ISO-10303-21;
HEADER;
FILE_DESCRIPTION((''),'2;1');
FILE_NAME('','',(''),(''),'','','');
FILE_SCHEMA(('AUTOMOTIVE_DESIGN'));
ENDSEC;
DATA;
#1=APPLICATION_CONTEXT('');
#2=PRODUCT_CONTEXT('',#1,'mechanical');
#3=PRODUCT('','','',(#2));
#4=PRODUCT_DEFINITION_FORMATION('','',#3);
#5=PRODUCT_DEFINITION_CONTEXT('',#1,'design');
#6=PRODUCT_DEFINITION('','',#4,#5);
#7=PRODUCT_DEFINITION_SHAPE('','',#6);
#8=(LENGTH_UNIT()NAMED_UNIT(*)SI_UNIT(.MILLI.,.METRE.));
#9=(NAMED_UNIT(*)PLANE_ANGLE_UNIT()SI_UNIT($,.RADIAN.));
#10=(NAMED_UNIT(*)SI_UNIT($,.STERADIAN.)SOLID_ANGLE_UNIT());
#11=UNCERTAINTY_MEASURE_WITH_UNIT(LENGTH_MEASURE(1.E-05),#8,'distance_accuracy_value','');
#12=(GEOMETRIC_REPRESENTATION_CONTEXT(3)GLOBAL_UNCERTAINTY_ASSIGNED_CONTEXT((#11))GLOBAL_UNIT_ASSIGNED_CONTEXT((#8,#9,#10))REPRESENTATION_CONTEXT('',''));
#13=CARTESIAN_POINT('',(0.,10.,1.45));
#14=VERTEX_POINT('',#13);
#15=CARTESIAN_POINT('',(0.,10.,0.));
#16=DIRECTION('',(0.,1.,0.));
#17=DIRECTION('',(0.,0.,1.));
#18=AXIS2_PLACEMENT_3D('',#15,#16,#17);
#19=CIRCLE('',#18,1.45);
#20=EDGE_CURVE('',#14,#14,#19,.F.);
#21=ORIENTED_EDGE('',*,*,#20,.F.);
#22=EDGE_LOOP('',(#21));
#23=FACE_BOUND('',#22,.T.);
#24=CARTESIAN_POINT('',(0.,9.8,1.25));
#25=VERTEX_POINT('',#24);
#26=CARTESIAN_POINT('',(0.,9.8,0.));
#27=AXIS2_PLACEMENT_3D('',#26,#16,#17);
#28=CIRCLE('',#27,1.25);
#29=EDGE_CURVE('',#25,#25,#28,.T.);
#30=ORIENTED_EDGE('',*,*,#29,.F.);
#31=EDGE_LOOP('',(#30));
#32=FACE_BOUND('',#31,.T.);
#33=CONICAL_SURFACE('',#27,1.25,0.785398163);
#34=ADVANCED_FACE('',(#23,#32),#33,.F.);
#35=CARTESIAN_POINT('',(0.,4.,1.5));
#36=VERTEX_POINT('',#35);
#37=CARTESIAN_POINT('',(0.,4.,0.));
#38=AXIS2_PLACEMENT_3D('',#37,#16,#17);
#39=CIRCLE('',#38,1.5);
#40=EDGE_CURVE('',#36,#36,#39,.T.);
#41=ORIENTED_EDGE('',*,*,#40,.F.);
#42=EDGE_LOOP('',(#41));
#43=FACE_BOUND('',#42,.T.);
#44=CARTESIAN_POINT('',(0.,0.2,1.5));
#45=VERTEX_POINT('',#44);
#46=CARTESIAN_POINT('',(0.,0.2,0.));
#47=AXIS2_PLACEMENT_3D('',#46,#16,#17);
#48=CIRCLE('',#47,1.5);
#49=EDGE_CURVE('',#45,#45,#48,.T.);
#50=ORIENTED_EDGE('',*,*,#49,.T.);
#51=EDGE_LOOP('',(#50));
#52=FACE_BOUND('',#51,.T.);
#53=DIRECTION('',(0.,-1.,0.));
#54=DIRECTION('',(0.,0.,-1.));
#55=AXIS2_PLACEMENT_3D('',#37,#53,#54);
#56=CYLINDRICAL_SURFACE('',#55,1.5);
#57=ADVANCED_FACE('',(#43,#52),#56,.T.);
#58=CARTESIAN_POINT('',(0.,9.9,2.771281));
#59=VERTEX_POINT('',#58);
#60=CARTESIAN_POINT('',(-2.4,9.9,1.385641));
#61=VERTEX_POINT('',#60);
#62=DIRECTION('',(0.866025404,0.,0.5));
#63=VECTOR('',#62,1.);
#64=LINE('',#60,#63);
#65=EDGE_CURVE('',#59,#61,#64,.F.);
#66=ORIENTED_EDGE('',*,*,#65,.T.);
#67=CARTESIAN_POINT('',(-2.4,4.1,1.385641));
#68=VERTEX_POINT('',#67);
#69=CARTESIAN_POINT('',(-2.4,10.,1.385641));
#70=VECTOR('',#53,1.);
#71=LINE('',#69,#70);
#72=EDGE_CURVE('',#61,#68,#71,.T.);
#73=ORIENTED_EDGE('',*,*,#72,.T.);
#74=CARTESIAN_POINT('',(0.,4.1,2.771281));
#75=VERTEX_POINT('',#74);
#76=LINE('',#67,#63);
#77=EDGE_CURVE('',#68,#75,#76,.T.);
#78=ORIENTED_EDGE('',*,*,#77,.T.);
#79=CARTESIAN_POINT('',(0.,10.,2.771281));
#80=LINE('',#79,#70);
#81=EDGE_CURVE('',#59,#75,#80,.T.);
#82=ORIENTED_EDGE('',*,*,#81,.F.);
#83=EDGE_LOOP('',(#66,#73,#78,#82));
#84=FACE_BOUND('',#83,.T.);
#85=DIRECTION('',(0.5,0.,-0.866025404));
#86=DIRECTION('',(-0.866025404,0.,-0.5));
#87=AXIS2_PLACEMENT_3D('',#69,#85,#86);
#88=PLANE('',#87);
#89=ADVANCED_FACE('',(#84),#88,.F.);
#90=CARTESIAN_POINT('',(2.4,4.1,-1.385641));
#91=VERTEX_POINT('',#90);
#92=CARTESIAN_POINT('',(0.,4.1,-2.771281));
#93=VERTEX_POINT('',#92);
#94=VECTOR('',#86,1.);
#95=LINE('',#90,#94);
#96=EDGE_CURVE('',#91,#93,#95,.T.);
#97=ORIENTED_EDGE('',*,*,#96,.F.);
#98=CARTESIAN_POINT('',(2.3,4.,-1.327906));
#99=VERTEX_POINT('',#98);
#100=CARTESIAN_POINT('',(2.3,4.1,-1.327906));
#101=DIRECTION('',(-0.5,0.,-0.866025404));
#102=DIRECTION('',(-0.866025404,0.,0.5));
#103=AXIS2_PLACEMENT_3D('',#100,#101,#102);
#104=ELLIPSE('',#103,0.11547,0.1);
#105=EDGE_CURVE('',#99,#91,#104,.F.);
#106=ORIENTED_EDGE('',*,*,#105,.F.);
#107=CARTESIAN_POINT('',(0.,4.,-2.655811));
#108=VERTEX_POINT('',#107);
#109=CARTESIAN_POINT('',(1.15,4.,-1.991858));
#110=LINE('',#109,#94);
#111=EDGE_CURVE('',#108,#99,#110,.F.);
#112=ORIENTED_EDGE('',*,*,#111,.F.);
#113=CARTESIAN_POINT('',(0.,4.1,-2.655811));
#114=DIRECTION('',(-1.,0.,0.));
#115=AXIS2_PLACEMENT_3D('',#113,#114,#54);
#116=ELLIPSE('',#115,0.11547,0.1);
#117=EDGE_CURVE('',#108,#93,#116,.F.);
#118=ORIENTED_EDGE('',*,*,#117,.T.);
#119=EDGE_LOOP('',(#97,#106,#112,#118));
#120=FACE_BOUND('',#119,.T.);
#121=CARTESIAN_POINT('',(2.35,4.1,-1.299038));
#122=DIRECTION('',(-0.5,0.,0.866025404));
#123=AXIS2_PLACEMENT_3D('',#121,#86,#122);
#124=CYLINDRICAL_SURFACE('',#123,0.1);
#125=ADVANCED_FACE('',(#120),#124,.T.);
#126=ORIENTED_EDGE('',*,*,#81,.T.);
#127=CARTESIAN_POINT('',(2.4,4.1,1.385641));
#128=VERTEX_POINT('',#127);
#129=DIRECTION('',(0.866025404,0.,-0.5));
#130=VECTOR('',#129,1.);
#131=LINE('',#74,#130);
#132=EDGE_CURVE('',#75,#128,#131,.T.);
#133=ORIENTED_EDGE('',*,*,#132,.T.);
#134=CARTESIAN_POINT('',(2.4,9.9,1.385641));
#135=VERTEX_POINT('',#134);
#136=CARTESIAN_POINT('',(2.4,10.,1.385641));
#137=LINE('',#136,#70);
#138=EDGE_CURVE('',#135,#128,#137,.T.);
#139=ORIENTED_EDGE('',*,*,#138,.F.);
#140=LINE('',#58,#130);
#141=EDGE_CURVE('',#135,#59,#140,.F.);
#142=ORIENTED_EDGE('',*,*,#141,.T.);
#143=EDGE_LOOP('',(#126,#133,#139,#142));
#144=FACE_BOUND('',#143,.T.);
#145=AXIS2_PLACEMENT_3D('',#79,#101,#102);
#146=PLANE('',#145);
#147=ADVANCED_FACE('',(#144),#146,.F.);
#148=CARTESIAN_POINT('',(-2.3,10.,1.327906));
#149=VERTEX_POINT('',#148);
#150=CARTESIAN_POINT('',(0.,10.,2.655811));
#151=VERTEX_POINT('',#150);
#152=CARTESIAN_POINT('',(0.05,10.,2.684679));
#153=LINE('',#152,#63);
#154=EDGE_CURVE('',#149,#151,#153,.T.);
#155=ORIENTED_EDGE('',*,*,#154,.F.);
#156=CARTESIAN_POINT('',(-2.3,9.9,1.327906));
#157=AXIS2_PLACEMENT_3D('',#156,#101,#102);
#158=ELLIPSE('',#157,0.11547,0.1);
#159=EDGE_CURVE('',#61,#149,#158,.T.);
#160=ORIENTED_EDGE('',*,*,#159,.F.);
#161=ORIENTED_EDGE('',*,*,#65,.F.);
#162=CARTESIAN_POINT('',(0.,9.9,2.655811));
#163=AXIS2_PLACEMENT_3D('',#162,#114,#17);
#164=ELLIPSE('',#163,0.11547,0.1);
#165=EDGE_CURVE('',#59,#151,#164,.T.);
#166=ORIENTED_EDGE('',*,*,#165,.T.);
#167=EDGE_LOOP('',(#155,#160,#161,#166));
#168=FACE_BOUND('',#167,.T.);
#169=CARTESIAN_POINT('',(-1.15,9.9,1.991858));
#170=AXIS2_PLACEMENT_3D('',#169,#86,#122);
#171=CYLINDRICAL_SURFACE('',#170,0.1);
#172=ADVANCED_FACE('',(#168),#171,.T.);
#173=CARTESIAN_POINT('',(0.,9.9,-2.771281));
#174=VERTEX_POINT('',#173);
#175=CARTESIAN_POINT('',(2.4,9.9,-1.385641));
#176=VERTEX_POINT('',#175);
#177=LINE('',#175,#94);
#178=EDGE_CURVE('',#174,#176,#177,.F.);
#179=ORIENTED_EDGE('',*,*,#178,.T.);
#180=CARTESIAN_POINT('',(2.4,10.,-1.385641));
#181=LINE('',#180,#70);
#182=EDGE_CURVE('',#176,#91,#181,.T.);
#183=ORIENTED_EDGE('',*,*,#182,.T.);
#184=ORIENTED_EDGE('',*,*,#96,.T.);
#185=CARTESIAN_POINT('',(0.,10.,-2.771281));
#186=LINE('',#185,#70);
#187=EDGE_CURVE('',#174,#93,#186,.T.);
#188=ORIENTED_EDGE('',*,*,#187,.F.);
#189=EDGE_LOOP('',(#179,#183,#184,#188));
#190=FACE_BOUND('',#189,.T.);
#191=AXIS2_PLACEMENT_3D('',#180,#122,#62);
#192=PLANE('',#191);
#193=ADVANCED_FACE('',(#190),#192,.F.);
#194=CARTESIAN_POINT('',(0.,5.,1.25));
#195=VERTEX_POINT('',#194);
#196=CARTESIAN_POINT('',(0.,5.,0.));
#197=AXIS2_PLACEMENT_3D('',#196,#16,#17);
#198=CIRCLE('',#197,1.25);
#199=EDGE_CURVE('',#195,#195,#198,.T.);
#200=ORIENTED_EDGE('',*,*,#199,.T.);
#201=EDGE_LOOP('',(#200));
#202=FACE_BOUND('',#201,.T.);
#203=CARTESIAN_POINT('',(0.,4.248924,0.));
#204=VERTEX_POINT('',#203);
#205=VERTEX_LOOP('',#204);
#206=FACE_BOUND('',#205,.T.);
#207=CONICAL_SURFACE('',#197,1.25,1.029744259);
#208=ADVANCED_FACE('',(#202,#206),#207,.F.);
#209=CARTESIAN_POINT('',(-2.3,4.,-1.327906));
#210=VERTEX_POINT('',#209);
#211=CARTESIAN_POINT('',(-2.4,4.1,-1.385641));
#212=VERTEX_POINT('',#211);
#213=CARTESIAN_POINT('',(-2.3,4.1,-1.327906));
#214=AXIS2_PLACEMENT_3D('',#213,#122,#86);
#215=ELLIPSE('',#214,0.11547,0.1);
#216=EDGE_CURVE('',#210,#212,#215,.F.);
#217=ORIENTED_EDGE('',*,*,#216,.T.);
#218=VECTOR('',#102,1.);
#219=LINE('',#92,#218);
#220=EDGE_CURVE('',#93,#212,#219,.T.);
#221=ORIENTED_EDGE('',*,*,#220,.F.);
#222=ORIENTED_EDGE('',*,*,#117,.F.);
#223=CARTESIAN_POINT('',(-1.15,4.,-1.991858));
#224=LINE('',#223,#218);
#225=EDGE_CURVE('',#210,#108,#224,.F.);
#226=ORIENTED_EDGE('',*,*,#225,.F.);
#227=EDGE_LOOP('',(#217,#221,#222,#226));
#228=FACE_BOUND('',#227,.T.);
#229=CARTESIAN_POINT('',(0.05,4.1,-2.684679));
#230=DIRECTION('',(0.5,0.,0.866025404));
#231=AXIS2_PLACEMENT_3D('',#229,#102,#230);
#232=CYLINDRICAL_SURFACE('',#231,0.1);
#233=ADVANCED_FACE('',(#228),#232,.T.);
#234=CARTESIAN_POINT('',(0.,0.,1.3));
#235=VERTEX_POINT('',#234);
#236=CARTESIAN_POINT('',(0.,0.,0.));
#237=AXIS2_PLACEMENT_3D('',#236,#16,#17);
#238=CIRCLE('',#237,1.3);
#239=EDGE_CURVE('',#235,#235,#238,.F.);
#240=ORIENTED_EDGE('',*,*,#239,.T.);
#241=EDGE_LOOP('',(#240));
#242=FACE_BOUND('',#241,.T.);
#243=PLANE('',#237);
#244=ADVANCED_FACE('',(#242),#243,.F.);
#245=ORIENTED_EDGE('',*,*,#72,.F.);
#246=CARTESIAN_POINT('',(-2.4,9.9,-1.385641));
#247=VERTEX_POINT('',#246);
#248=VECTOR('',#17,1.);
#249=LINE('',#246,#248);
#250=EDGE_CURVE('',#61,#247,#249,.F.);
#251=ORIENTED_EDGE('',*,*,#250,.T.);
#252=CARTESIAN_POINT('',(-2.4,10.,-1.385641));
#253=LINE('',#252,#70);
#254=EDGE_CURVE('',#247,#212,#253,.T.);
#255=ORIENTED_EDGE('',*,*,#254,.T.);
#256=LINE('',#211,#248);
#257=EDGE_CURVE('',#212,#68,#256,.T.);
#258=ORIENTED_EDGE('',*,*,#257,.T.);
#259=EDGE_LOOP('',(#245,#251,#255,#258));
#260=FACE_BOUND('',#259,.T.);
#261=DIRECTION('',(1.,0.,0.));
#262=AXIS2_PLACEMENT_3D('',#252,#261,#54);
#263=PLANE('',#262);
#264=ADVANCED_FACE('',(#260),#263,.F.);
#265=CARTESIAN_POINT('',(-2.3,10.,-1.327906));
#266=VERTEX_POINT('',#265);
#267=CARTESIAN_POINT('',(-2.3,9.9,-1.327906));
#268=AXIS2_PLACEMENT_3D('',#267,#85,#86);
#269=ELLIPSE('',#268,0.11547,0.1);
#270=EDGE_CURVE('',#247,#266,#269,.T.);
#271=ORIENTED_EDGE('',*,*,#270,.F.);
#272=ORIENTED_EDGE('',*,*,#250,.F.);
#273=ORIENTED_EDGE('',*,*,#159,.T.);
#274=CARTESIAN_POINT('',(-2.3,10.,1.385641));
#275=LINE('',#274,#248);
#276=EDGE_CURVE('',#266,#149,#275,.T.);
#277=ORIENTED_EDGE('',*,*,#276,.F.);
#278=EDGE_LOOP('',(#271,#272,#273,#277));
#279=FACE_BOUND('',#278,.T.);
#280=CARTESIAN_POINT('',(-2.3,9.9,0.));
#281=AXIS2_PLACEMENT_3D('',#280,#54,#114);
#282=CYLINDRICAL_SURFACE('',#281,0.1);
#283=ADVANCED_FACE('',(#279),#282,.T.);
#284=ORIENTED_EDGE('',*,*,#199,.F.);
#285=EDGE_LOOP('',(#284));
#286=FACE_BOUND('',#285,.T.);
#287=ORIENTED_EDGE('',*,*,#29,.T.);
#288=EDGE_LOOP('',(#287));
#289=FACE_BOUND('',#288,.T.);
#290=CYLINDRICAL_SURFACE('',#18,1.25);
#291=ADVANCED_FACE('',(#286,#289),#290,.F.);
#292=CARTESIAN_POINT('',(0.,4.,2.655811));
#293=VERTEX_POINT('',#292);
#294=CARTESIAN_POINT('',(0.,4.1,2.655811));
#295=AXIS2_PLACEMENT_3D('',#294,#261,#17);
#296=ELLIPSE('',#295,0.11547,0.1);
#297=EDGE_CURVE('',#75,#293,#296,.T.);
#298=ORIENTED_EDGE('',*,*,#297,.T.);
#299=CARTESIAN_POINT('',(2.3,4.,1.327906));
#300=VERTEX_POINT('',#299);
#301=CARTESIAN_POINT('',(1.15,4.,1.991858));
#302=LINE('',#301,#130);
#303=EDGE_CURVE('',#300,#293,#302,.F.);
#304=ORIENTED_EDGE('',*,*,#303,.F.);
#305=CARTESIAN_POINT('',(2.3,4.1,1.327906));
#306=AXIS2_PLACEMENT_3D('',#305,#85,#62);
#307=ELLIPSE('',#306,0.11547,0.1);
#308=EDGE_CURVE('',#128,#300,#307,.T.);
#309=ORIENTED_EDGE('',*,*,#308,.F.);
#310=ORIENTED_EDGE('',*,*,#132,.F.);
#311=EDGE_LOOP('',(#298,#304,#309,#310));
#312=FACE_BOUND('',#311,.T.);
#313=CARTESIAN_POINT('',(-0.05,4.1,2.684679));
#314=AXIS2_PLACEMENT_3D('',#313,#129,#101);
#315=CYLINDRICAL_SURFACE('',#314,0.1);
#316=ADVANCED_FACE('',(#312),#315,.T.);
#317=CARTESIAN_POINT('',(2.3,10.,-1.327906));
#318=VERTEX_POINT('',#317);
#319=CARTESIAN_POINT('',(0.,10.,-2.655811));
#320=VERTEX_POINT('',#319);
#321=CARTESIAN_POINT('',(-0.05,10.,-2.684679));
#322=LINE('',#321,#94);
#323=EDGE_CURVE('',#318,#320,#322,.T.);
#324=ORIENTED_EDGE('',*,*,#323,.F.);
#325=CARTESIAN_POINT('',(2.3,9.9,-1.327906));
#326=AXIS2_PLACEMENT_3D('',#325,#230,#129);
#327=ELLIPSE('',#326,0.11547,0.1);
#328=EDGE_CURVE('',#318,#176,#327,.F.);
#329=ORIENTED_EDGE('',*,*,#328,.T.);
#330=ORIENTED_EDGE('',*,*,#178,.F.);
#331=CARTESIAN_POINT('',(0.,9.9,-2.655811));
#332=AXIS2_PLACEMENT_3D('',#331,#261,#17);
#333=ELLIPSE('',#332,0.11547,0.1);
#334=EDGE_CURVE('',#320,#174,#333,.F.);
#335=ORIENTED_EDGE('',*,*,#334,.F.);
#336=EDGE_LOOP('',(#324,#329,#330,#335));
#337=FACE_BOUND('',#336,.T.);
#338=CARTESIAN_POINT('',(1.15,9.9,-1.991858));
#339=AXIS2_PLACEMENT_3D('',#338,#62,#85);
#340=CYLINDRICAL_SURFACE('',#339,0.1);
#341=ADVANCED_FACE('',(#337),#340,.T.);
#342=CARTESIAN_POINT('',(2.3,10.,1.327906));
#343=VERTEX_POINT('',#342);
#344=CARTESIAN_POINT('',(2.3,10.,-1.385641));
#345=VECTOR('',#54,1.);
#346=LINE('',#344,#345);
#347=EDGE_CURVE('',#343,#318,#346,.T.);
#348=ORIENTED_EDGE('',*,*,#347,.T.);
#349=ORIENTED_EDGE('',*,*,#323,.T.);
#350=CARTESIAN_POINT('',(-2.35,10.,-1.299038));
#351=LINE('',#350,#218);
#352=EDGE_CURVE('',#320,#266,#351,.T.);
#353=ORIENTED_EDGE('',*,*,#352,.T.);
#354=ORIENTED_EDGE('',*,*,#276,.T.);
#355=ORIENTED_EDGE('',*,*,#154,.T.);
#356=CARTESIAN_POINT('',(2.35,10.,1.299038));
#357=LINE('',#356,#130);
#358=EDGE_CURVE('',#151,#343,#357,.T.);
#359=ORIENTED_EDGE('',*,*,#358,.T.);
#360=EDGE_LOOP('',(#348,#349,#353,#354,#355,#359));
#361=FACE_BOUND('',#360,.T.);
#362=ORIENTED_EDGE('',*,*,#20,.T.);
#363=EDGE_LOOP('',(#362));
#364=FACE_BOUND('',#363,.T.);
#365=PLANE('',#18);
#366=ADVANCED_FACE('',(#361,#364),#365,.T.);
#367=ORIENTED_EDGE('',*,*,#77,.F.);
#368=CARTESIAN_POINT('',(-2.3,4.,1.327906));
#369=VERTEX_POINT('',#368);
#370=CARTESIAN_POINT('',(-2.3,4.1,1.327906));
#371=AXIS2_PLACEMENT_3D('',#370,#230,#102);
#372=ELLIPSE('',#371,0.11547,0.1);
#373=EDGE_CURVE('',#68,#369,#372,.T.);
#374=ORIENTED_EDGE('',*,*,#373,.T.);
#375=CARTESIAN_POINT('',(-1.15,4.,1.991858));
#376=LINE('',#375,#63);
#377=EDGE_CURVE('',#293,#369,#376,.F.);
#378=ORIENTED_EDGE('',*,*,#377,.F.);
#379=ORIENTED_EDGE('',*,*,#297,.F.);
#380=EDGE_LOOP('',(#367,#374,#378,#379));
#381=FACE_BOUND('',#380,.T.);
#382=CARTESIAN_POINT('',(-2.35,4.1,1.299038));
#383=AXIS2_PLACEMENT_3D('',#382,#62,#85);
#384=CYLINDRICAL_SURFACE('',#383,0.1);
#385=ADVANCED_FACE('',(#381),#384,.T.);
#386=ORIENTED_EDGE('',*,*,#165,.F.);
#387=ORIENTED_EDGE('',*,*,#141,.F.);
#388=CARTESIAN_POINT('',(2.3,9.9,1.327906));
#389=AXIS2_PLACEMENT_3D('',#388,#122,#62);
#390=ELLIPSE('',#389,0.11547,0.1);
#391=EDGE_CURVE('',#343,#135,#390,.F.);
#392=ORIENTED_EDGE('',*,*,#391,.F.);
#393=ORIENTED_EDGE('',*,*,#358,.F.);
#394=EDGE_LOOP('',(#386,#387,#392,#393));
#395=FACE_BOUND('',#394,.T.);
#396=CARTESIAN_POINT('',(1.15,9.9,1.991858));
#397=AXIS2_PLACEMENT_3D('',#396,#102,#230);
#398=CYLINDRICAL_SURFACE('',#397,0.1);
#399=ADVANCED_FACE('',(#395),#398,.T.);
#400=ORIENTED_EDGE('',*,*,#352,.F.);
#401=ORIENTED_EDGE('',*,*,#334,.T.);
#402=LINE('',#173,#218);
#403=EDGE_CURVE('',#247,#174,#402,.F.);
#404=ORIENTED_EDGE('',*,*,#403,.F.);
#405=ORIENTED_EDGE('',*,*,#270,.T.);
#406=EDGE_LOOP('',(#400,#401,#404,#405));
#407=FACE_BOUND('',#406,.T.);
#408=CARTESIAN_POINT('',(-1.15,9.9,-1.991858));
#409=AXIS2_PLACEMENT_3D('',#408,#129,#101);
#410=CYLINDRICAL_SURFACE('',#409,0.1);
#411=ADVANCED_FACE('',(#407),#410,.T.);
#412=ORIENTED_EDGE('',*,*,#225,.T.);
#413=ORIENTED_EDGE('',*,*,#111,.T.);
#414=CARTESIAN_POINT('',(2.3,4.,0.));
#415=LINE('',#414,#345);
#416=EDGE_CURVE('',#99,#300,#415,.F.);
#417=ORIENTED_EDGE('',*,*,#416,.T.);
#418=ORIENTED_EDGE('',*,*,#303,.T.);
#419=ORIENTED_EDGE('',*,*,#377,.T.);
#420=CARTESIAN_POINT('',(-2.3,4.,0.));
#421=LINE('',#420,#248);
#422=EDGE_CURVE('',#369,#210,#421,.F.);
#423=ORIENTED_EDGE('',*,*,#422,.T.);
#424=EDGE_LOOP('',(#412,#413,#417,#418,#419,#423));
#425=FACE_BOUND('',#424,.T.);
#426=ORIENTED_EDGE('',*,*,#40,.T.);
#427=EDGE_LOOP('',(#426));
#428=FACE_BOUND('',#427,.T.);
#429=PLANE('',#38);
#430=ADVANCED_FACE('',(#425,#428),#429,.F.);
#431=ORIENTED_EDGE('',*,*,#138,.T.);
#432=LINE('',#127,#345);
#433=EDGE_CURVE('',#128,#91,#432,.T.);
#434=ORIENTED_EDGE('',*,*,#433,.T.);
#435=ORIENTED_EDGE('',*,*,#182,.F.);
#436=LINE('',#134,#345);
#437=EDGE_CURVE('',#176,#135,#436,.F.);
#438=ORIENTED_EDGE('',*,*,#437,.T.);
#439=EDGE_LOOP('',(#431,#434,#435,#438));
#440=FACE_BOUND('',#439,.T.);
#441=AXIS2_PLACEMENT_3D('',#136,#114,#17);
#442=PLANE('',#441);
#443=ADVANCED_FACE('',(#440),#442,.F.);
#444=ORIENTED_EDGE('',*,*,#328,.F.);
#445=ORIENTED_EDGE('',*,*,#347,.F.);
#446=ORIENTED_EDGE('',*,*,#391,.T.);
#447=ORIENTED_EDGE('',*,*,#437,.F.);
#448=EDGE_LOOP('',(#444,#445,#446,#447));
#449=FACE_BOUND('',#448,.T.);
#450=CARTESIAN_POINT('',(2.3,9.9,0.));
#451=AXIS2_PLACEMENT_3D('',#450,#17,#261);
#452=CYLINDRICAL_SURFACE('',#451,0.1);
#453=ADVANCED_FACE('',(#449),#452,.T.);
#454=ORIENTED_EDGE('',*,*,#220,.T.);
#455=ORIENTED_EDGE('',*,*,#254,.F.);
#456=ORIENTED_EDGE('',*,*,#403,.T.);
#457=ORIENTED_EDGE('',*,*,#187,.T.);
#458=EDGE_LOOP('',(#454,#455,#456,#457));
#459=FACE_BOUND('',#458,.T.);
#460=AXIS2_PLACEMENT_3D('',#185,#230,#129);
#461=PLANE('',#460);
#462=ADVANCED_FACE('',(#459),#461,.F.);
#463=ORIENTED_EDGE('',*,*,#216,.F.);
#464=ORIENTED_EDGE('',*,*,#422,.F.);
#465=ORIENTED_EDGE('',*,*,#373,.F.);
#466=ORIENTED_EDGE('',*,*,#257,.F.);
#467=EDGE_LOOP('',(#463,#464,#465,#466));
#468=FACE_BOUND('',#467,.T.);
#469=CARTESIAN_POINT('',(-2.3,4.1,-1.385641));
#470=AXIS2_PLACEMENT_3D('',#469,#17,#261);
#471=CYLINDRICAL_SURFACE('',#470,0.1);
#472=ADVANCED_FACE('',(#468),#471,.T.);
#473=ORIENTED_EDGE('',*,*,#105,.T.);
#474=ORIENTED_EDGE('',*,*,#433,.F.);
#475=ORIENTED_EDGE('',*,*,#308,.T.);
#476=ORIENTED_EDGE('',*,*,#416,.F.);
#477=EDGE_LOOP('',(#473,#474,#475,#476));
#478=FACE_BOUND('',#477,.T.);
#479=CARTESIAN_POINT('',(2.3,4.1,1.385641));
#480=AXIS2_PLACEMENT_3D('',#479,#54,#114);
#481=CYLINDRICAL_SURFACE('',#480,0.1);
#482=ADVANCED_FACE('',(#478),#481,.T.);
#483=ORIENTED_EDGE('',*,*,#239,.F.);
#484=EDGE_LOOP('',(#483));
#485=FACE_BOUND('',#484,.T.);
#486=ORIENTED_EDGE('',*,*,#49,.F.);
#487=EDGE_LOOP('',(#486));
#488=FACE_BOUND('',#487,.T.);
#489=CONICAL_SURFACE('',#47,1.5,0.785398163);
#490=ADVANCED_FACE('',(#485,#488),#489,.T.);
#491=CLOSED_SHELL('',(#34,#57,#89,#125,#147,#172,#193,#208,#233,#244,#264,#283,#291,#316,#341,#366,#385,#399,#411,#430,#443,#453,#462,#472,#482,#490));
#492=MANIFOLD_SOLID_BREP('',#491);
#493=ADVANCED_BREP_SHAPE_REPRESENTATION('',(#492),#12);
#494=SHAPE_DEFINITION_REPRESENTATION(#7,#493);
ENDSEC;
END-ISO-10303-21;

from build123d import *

# Parameters (mm, degrees)
SKETCH_2_R            = 1.5
EXTRUDE_1_DEPTH       = 4
EXTRUDE_2_DEPTH       = 6
FILLET_1_R            = 0.1
HOLE_WIZARD_M31_D     = 2.5
HOLE_WIZARD_M31_DEPTH = 5
HOLE_WIZARD_M31_TIP   = 0.751075774
CHAMFER_2_SIZE        = 0.2


with BuildPart() as part:
    # Эскиз2 → Бобышка-Вытянуть1 (new body)
    with BuildSketch(Plane(origin=(0, 0, 0), x_dir=(1, 0, 0), z_dir=(0, 1, 0))):
        Circle(SKETCH_2_R)
    extrude(amount=EXTRUDE_1_DEPTH)

    # Эскиз3 → Бобышка-Вытянуть2 (add)
    with BuildSketch(Plane(origin=(0, 4, 0), x_dir=(1, 0, 0), z_dir=(0, 1, 0))):
        Polygon((-2.4, 1.385640646), (-2.4, -1.385640646), (0, -2.771281292), (2.4, -1.385640646), (2.4, 1.385640646), (0, 2.771281292), align=None)
    extrude(amount=EXTRUDE_2_DEPTH)

    # Скругление1
    fillet_1_edges = [part.edges().sort_by_distance(p)[0] for p in [
        (-1.2, 4, -2.078460969),
        (-2.4, 4, 0),
        (-1.2, 4, 2.078460969),
        (1.2, 4, 2.078460969),
        (2.4, 4, 0),
        (1.2, 4, -2.078460969),
        (-1.2, 10, -2.078460969),
        (-2.4, 10, 0),
        (-1.2, 10, 2.078460969),
        (1.2, 10, 2.078460969),
        (2.4, 10, 0),
        (1.2, 10, -2.078460969),
    ]]
    fillet(fillet_1_edges, radius=FILLET_1_R)

    # Отверстие обработанное метчиком M31
    with Locations(Plane.ZX.offset(10)):
        with Locations((0, 0)):
            Hole(HOLE_WIZARD_M31_D / 2, depth=HOLE_WIZARD_M31_DEPTH)
            with Locations((0, 0, -(HOLE_WIZARD_M31_DEPTH + HOLE_WIZARD_M31_TIP / 2))):  # 118° drill point
                Cone(0, HOLE_WIZARD_M31_D / 2, HOLE_WIZARD_M31_TIP, mode=Mode.SUBTRACT)

    # Фаска2
    chamfer_2_edges = [part.edges().sort_by_distance(p)[0] for p in [
        (-1.5, 0, 0),
        (0, 10, 1.25),
    ]]
    chamfer(chamfer_2_edges, length=CHAMFER_2_SIZE)


solid = part.part
